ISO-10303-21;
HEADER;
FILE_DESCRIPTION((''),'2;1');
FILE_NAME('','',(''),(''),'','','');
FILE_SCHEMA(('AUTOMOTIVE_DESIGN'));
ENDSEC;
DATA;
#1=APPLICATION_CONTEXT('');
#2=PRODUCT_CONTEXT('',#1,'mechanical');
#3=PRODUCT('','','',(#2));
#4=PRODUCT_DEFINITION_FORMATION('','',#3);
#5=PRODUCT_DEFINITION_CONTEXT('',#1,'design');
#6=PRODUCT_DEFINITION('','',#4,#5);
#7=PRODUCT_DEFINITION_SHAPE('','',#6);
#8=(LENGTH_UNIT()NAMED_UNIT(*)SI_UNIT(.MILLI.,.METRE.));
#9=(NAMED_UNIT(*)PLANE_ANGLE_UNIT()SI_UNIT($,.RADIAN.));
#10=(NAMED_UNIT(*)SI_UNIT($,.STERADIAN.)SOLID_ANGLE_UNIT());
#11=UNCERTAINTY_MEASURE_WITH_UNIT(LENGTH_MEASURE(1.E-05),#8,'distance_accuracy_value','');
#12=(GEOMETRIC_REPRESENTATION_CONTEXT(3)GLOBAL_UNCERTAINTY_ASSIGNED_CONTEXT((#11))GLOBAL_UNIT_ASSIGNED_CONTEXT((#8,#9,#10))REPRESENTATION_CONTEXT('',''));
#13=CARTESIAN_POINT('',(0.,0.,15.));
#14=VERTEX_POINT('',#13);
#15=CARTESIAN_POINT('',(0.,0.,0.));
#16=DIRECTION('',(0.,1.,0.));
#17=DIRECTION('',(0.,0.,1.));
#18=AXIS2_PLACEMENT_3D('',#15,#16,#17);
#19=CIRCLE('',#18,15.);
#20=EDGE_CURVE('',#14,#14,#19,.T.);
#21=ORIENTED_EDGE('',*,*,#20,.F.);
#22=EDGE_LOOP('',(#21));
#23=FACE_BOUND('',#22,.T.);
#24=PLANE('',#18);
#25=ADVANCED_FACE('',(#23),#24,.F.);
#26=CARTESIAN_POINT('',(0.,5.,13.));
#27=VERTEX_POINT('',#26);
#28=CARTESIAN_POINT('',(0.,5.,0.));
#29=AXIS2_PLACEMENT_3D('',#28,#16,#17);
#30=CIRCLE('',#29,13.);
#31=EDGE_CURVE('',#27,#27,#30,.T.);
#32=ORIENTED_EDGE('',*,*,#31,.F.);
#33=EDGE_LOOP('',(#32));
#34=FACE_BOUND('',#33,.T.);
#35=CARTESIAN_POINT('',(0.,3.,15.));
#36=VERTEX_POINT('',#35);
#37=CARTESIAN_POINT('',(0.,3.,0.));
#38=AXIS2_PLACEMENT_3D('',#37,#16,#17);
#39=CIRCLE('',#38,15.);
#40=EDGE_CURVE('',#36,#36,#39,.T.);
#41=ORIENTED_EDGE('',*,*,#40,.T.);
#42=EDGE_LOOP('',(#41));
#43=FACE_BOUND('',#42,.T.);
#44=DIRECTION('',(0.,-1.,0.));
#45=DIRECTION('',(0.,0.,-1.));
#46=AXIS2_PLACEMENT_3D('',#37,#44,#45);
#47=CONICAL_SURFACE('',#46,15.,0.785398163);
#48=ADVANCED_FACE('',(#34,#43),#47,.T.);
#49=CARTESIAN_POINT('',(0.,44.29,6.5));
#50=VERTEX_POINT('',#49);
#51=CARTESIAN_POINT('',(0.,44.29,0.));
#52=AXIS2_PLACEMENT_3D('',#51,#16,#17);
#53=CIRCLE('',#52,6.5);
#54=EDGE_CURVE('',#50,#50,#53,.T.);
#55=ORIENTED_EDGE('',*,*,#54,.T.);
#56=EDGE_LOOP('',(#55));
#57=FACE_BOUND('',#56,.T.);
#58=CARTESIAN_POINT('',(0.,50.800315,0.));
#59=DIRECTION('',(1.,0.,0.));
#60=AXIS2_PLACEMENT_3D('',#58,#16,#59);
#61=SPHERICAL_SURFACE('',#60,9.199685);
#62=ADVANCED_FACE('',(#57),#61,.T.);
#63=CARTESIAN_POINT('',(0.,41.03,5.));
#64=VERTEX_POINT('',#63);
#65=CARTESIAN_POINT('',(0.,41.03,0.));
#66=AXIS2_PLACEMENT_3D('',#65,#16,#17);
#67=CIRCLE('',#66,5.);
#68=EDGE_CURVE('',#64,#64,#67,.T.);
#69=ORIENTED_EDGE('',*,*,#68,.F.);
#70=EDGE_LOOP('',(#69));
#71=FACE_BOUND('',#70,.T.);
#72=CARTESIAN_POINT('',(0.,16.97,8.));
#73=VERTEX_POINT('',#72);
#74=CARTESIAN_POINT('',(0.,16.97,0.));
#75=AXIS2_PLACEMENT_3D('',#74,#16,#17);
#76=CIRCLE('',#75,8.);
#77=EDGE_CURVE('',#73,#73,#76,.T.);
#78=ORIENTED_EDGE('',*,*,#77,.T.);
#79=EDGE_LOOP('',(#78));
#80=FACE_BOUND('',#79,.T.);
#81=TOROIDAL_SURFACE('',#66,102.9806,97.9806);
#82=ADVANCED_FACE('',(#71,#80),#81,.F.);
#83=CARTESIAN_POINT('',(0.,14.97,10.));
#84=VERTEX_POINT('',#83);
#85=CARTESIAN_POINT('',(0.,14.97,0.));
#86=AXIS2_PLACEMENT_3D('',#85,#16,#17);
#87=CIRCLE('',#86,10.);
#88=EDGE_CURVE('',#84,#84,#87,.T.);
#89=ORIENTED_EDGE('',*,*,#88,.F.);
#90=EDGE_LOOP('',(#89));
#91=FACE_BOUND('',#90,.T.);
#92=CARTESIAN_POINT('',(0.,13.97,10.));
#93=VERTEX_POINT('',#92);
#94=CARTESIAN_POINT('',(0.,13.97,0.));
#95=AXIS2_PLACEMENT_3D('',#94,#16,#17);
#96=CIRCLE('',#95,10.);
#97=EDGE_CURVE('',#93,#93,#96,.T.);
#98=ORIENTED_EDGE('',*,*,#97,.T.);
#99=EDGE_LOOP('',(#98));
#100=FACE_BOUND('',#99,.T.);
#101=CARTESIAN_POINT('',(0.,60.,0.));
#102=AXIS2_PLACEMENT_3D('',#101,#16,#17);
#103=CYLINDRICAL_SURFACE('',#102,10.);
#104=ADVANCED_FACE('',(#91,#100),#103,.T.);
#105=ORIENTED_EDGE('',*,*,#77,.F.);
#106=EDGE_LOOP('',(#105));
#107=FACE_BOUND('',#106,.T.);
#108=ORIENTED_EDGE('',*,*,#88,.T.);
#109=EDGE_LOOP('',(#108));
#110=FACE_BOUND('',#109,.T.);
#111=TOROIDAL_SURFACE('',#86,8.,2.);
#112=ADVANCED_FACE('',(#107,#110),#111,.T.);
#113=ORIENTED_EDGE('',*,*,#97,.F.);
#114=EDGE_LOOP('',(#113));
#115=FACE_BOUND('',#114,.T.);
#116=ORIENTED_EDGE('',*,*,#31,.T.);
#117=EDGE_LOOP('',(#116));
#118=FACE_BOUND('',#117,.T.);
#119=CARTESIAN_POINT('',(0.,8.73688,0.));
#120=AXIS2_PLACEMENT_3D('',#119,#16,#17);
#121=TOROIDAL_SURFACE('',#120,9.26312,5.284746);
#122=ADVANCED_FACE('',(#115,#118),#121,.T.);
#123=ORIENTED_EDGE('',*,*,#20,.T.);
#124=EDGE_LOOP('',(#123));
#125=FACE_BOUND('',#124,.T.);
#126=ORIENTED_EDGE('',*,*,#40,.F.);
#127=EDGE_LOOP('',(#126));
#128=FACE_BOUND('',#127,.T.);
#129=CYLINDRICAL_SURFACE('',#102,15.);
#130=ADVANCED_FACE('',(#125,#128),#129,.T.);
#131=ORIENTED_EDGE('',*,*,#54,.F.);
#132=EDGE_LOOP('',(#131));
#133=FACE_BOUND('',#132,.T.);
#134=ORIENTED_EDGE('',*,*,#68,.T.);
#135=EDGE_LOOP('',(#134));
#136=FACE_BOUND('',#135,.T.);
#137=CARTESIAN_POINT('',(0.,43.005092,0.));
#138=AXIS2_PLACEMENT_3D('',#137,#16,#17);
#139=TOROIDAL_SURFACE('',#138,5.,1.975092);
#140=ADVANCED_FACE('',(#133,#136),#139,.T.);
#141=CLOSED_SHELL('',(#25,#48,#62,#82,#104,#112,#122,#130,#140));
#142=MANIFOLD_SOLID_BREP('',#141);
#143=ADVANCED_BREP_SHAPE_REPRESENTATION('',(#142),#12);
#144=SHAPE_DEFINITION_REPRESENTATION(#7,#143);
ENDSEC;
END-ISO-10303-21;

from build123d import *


with BuildPart() as part:
    # Croquis1 → Revolución3 (revolve)
    with BuildSketch(Plane.XY, mode=Mode.PRIVATE) as revoluci_n3_sk:
        with BuildLine():
            Line((0, 0), (15, 0))
            Line((15, 0), (15, 3))
            Line((15, 3), (13, 5))
            ThreePointArc((13, 5), (14.274991786, 10.413090898), (10, 13.97))
            Line((10, 13.97), (10, 14.97))
            ThreePointArc((10, 14.97), (9.414213562, 16.384213562), (8, 16.97))
            ThreePointArc((8, 16.97), (5.752892651, 28.90684447), (5, 41.03))
            ThreePointArc((5, 41.03), (6.794268653, 42.179508288), (6.5, 44.29))
            ThreePointArc((6.5, 44.29), (8.500795551, 54.317512481), (0, 60))
            Line((0, 60), (0, 0))
        make_face()
    revolve(revoluci_n3_sk.sketch.rotate(Axis((0, 60, 0), (0, -1, 0)), 90), axis=Axis((0, 60, 0), (0, -1, 0)))


solid = part.part
